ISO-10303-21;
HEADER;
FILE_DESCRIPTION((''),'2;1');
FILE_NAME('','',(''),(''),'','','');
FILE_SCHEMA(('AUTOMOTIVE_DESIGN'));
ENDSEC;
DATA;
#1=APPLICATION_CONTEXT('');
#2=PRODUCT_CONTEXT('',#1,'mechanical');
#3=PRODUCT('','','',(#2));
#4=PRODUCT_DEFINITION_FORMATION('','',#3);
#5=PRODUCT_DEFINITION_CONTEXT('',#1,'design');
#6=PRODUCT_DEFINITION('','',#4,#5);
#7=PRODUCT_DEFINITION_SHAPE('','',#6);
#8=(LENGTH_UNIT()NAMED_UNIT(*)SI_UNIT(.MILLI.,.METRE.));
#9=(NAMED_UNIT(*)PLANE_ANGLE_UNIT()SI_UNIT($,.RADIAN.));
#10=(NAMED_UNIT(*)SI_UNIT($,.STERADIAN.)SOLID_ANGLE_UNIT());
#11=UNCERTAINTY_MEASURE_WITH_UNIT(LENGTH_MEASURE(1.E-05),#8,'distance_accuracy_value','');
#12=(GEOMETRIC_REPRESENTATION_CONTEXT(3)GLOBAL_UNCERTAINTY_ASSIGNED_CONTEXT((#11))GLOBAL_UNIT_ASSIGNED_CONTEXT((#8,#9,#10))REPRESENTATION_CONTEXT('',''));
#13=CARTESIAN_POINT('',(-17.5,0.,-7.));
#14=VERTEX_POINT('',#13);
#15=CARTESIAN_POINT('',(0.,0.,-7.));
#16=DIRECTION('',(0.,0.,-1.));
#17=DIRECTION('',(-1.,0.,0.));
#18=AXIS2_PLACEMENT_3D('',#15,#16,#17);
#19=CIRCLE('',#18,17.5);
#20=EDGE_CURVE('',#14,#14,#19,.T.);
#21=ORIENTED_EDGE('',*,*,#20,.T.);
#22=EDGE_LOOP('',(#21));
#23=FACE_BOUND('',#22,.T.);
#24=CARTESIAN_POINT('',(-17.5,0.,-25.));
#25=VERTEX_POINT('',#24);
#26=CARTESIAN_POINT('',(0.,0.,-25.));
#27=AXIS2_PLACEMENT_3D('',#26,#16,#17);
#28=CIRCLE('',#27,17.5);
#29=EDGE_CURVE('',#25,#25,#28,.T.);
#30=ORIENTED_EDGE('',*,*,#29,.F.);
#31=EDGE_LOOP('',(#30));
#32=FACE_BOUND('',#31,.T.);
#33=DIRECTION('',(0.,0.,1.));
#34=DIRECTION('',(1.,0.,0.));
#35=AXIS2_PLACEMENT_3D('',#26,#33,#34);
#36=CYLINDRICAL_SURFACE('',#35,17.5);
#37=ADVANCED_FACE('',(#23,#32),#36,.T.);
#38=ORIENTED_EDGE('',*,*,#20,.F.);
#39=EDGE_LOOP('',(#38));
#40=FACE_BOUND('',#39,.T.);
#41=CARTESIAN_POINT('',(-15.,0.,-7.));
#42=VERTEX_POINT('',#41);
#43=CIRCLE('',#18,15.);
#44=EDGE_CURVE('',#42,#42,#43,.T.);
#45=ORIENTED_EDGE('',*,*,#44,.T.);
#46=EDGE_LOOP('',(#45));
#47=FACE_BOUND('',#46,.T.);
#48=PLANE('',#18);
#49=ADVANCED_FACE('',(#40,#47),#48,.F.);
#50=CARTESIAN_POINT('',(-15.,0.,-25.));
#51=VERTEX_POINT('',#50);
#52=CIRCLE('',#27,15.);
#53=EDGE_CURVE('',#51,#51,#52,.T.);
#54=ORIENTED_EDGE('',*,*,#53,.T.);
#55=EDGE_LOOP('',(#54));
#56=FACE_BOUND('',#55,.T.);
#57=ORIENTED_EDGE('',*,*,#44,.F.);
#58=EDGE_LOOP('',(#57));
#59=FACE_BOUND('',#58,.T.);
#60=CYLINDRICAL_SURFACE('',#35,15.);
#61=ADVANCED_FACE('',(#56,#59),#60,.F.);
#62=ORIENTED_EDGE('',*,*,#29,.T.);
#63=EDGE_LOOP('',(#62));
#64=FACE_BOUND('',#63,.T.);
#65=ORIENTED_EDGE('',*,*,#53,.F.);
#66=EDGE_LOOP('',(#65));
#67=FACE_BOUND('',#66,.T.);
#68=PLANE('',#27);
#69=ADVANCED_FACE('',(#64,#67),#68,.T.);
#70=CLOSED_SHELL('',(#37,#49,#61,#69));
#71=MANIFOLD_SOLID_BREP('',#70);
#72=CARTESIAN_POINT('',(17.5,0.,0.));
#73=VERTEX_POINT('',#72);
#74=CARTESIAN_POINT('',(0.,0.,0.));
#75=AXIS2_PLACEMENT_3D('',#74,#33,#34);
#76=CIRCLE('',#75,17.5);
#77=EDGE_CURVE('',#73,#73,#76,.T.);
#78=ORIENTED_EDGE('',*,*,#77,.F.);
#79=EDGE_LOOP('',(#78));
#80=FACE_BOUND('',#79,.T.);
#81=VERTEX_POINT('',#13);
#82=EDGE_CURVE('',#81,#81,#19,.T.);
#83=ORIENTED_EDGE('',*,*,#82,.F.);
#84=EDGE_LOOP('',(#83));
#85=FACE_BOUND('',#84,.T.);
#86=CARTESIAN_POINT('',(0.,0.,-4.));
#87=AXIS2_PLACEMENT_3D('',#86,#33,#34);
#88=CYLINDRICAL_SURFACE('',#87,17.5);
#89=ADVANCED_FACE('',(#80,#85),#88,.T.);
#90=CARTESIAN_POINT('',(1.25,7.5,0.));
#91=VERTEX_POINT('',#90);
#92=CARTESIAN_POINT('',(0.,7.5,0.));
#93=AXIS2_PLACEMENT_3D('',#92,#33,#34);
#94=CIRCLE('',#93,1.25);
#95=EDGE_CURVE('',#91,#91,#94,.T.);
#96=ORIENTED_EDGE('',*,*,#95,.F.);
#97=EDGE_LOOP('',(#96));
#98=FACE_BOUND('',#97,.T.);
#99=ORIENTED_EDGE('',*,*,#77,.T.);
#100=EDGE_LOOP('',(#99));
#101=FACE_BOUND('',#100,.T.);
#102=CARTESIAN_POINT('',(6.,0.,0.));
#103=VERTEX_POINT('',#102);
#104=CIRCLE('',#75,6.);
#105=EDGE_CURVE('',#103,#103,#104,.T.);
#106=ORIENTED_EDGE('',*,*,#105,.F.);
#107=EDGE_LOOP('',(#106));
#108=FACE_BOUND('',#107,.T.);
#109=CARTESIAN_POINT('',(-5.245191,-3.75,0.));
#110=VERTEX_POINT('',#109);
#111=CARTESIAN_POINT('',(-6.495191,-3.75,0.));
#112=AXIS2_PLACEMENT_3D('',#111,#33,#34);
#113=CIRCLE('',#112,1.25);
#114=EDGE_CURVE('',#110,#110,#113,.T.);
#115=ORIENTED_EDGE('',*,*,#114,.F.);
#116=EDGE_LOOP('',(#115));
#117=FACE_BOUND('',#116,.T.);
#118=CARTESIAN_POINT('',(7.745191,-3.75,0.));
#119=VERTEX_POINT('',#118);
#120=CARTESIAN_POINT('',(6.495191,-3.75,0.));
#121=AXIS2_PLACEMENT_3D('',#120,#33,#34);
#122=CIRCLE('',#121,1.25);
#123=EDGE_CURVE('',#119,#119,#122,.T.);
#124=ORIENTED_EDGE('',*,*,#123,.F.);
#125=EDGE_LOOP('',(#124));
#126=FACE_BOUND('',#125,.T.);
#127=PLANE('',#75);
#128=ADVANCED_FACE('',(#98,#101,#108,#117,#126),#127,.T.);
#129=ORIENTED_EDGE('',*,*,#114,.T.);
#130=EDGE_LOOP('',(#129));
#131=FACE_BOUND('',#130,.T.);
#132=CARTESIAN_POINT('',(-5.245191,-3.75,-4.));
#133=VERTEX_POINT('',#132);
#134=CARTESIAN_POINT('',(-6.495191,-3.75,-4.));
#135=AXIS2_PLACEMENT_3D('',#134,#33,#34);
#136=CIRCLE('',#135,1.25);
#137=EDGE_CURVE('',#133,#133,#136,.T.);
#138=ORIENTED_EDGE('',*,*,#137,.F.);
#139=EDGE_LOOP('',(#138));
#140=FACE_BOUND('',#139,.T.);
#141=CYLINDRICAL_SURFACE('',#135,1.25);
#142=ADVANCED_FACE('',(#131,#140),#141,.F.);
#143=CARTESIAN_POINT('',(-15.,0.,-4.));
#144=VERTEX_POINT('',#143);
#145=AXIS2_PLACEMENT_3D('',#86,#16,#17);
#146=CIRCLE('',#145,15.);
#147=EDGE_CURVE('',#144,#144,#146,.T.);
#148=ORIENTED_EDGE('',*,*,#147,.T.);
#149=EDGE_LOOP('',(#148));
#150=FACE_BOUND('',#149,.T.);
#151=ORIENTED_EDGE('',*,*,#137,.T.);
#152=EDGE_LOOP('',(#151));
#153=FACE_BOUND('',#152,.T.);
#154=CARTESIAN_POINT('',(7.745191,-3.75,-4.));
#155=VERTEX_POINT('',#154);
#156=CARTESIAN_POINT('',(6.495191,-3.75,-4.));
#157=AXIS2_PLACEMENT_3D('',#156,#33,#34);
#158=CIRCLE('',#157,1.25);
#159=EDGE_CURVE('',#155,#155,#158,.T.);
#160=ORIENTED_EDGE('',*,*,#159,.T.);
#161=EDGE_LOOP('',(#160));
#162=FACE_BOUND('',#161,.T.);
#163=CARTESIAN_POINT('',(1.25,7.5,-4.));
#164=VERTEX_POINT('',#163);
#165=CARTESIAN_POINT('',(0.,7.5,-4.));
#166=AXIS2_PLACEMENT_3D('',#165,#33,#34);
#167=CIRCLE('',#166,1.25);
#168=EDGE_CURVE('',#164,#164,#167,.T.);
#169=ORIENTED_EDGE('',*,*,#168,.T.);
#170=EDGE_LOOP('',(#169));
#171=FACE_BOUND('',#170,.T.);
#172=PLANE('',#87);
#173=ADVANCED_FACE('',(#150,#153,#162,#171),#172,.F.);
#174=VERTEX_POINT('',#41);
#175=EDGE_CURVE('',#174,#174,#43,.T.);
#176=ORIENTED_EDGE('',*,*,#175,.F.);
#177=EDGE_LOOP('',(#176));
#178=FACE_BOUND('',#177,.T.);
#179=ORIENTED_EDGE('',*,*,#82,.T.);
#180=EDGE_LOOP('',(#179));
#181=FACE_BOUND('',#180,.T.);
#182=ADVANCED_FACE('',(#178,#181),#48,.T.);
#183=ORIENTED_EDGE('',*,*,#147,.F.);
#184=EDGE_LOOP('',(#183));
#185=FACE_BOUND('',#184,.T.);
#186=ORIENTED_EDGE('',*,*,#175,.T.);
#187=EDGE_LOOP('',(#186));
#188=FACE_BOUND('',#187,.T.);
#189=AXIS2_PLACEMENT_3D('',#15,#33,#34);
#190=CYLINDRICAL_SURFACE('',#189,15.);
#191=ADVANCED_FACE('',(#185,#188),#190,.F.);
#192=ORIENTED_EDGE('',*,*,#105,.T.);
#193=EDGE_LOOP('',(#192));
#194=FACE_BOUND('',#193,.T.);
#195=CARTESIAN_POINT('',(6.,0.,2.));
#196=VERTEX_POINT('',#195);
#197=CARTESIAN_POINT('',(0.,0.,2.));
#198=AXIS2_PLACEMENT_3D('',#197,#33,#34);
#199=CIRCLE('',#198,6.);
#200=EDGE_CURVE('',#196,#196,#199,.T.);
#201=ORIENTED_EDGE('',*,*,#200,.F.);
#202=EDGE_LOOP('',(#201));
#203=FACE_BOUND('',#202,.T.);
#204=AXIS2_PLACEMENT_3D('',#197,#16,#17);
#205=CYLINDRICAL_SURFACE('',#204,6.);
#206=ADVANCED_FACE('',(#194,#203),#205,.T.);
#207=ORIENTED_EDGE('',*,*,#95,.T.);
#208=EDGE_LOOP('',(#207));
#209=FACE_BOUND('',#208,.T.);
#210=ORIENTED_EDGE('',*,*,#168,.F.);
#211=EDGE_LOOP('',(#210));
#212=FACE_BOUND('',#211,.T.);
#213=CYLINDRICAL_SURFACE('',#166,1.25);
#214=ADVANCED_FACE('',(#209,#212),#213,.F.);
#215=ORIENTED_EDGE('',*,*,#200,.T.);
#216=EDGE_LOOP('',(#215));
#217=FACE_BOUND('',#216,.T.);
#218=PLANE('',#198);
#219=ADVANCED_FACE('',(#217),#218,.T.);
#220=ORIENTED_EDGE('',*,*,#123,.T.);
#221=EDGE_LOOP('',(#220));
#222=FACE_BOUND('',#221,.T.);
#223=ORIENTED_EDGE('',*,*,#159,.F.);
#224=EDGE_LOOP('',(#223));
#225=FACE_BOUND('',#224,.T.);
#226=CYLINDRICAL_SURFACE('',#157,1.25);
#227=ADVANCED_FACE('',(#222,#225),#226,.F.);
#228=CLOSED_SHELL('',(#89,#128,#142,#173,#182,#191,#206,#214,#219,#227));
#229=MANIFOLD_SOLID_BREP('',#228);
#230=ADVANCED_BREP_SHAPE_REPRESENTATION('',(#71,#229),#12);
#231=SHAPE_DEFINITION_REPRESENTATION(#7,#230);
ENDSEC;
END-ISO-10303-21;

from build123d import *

# Parameters (mm, degrees)
SKETCH1_R           = 17.5
SKETCH1_R_2         = 1.25
BOSS_EXTRUDE1_DEPTH = 4
SKETCH2_R           = 17.5
SKETCH2_R_2         = 15
BOSS_EXTRUDE2_DEPTH = 3
SKETCH3_R           = 6
BOSS_EXTRUDE3_DEPTH = 2
SKETCH4_R           = 17.5
SKETCH4_R_2         = 15
BOSS_EXTRUDE4_DEPTH = 18


with BuildPart() as part:
    # Sketch1 → Boss-Extrude1 (new body)
    with BuildSketch(Plane.XY):
        Circle(SKETCH1_R)
        with Locations((0, 7.5)):
            Circle(SKETCH1_R_2, mode=Mode.SUBTRACT)
        with Locations((6.495190528, -3.75)):
            Circle(SKETCH1_R_2, mode=Mode.SUBTRACT)
        with Locations((-6.495190528, -3.75)):
            Circle(SKETCH1_R_2, mode=Mode.SUBTRACT)
    extrude(amount=-BOSS_EXTRUDE1_DEPTH)

    # Sketch2 → Boss-Extrude2 (add)
    with BuildSketch(Plane(origin=(0, 0, -4), x_dir=(-1, 0, 0), z_dir=(0, 0, -1))):
        with Locations(Location((0, 0, 0), (0, 0, 180))):
            Circle(SKETCH2_R)
        Circle(SKETCH2_R_2, mode=Mode.SUBTRACT)
    extrude(amount=BOSS_EXTRUDE2_DEPTH)

    # Sketch3 → Boss-Extrude3 (add)
    with BuildSketch(Plane.XY):
        Circle(SKETCH3_R)
    extrude(amount=BOSS_EXTRUDE3_DEPTH)


with BuildPart() as body_2:
    # Sketch4 → Boss-Extrude4 (new body)
    with BuildSketch(Plane(origin=(0, 0, -7), x_dir=(-1, 0, 0), z_dir=(0, 0, -1))):
        Circle(SKETCH4_R)
        Circle(SKETCH4_R_2, mode=Mode.SUBTRACT)
    extrude(amount=BOSS_EXTRUDE4_DEPTH)


solid = Compound([part.part, body_2.part])
